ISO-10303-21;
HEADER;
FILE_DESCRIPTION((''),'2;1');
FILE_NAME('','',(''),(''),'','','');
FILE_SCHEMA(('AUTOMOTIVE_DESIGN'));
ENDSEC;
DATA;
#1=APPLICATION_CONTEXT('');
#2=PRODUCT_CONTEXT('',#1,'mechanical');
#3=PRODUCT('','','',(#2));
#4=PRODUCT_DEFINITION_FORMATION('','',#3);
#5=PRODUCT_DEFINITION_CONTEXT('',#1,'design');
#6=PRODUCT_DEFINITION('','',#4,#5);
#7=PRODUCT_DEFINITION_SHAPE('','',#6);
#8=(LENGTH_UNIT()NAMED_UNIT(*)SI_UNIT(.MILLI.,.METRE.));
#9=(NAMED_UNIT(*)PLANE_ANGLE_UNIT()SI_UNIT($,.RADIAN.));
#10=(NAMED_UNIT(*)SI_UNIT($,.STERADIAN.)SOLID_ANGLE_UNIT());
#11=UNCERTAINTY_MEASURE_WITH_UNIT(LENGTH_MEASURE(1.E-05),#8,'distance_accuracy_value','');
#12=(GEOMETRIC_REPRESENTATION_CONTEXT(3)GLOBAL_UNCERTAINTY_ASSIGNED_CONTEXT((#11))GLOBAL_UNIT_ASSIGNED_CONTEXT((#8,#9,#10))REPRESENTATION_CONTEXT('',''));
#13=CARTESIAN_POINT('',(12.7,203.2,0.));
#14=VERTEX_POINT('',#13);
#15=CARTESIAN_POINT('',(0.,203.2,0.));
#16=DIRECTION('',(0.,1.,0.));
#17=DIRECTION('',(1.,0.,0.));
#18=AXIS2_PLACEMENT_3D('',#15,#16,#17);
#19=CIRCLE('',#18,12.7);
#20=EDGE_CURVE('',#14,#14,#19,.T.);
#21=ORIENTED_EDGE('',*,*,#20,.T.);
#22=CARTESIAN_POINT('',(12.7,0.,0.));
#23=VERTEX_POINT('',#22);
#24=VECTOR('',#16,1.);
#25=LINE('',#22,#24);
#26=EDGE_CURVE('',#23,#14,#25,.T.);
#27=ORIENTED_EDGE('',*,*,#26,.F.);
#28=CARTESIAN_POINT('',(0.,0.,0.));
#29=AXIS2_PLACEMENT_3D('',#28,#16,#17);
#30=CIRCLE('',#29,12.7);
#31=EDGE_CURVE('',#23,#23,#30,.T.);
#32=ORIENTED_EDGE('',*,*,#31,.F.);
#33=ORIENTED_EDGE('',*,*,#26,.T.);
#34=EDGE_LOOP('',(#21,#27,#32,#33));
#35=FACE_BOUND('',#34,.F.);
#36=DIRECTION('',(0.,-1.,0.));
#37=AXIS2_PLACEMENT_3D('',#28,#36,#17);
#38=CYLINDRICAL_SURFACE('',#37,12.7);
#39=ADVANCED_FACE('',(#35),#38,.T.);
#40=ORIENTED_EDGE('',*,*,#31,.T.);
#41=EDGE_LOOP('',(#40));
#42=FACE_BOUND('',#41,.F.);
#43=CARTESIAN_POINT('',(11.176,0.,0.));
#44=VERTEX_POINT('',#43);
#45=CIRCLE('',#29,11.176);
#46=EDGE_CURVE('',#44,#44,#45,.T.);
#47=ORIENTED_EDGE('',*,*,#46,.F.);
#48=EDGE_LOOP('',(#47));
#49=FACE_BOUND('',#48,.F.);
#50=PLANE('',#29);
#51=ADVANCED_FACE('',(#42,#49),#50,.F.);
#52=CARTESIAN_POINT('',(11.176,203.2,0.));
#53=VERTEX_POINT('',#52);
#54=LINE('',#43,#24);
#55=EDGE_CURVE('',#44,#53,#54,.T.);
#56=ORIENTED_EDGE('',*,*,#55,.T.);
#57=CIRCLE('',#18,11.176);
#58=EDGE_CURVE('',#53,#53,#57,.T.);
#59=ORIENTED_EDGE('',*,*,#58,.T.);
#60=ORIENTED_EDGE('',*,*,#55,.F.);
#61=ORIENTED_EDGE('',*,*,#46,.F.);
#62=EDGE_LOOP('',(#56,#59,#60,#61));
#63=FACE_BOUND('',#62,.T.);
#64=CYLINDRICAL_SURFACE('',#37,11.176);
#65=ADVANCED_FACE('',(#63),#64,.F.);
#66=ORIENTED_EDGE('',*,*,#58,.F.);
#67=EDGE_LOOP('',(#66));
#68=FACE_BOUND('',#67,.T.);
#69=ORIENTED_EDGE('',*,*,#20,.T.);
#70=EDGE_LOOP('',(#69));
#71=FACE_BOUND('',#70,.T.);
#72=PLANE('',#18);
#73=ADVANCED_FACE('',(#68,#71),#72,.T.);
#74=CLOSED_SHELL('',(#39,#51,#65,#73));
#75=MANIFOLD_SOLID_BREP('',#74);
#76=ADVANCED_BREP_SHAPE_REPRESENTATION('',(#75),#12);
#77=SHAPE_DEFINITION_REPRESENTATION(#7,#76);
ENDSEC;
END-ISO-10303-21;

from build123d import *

# Parameters (mm, degrees)
SKETCH1_R           = 12.7
SKETCH1_R_2         = 11.176
BOSS_EXTRUDE1_DEPTH = 203.2


with BuildPart() as part:
    # Sketch1 → Boss-Extrude1 (new body)
    with BuildSketch(Plane(origin=(0, 0, 0), x_dir=(1, 0, 0), z_dir=(0, 1, 0))):
        Circle(SKETCH1_R)
        Circle(SKETCH1_R_2, mode=Mode.SUBTRACT)
    extrude(amount=BOSS_EXTRUDE1_DEPTH)


solid = part.part
